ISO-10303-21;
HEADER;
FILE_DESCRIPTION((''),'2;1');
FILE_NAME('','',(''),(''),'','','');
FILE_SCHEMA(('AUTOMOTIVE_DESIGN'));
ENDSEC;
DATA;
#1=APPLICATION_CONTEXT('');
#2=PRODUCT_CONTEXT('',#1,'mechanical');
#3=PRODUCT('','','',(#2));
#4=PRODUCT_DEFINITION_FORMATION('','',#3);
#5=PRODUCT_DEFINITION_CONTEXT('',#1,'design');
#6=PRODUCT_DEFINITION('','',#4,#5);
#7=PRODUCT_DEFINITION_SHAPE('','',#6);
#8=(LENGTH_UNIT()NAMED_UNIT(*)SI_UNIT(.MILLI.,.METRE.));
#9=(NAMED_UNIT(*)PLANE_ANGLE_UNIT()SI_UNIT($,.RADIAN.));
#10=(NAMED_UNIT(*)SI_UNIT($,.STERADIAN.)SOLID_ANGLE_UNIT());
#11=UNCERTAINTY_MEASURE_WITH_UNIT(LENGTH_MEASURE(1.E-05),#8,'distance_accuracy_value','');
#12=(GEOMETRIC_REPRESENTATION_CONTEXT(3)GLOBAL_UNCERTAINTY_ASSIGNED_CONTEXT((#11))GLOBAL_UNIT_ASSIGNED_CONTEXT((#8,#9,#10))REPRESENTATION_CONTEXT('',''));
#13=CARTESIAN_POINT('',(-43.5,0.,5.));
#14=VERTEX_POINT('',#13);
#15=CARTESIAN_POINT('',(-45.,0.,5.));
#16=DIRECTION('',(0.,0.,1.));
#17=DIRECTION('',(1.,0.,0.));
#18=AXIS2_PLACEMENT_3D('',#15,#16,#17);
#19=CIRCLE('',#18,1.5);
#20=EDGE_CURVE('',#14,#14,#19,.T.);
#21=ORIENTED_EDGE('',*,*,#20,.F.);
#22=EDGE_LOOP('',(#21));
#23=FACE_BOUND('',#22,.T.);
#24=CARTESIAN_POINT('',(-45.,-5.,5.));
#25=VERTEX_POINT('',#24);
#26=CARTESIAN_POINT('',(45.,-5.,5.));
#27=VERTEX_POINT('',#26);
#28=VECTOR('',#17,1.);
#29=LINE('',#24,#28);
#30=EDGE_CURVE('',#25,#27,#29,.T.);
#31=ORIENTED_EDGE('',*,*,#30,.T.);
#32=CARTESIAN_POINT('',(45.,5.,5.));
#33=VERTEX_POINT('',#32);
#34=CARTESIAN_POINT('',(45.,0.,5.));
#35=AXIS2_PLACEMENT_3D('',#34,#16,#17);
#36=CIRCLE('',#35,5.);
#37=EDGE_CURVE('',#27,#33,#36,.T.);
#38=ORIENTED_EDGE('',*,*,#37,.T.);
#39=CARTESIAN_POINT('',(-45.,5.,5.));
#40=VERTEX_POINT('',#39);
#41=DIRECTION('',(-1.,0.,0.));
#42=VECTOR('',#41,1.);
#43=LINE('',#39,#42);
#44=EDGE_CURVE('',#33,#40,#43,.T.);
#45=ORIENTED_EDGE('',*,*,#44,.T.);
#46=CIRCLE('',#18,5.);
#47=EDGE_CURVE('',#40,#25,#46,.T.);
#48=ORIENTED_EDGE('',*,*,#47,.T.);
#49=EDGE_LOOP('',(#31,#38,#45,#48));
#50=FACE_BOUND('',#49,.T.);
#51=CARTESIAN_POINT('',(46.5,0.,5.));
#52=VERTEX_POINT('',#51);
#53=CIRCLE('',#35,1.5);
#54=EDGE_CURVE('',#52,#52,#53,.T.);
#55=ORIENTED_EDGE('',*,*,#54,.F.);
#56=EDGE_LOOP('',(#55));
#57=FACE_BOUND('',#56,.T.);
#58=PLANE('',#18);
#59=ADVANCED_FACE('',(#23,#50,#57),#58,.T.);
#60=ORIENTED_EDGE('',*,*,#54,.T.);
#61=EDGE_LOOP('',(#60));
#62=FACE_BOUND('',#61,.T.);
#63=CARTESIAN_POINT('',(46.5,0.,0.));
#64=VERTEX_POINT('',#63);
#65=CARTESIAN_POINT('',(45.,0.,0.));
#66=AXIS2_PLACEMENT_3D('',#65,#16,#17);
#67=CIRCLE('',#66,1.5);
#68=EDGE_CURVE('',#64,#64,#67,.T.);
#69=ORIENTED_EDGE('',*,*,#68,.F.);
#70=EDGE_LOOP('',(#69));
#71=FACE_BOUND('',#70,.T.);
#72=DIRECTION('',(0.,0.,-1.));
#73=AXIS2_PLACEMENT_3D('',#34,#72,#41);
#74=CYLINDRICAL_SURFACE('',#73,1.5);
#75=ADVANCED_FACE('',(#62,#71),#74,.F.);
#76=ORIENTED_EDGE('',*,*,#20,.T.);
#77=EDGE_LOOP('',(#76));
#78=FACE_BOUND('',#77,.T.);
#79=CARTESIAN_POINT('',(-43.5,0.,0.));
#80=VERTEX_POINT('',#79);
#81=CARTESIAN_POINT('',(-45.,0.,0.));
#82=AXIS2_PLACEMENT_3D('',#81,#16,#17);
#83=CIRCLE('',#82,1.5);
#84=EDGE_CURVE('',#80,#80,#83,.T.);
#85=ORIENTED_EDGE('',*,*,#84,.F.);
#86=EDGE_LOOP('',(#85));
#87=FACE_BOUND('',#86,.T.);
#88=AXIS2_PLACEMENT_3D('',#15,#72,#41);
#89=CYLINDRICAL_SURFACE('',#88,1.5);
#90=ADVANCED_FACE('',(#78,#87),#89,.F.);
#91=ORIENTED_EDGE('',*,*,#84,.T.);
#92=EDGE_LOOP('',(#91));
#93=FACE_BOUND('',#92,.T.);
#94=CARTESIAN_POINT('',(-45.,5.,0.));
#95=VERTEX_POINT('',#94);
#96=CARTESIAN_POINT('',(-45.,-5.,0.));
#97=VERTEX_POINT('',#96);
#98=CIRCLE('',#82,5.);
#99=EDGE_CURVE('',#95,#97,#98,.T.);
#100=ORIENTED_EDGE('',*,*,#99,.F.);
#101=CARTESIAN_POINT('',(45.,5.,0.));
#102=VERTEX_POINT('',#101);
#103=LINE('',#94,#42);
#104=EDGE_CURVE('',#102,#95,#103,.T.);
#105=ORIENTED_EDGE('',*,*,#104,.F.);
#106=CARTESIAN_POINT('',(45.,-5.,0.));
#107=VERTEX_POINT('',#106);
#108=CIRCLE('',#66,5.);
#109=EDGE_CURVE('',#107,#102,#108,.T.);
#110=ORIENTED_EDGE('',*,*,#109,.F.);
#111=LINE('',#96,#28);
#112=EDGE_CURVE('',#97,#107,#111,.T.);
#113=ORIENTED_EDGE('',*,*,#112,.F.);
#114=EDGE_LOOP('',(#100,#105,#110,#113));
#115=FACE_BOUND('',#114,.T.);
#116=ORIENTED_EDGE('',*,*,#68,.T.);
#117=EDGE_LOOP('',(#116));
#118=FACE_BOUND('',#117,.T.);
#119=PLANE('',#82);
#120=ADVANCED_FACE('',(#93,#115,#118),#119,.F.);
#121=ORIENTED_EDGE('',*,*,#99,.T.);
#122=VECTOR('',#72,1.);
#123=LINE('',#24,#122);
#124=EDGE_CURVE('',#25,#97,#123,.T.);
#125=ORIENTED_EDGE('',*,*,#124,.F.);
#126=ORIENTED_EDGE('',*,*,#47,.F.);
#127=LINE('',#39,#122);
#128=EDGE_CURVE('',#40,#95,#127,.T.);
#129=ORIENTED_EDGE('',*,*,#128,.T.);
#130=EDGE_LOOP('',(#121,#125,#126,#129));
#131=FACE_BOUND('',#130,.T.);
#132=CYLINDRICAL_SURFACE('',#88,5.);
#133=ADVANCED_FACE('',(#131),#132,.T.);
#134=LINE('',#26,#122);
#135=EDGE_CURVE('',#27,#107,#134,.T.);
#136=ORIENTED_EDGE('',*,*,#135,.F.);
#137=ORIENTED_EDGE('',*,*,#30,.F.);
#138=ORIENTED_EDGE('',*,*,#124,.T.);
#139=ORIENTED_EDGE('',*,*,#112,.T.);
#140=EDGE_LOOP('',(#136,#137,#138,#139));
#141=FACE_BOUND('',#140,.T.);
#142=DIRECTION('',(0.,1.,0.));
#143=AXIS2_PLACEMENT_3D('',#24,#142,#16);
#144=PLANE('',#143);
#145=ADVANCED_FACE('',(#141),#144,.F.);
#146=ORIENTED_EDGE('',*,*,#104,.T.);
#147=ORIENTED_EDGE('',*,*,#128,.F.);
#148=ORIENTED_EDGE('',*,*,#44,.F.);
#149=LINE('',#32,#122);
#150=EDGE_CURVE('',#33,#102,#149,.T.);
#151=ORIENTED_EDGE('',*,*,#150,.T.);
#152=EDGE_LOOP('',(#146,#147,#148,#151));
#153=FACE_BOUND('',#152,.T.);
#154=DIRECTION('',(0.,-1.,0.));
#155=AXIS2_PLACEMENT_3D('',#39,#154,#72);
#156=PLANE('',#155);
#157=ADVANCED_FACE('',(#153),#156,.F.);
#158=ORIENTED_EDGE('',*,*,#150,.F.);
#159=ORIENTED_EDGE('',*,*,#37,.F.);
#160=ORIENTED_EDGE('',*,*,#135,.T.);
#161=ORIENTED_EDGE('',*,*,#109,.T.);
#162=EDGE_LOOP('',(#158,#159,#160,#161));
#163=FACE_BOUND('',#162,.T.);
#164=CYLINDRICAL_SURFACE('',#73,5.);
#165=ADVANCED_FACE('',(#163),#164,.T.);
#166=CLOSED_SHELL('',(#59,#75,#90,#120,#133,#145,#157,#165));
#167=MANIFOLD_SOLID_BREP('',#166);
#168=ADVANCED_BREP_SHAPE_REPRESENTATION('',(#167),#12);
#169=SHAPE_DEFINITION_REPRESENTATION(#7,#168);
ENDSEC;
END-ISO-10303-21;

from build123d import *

# Parameters (mm, degrees)
ESQUISSE1_R        = 1.5
BOSS_EXTRU_1_DEPTH = 5


with BuildPart() as part:
    # Esquisse1 → Boss.-Extru.1 (new body)
    with BuildSketch(Plane.XY):
        with BuildLine():
            Line((-45, 5), (45, 5))
            ThreePointArc((45, 5), (50, 0), (45, -5))
            Line((45, -5), (-45, -5))
            ThreePointArc((-45, -5), (-50, 0), (-45, 5))
        make_face()
        with Locations((-45, 0)):
            Circle(ESQUISSE1_R, mode=Mode.SUBTRACT)
        with Locations((45, 0)):
            Circle(ESQUISSE1_R, mode=Mode.SUBTRACT)
    extrude(amount=BOSS_EXTRU_1_DEPTH)


solid = part.part
